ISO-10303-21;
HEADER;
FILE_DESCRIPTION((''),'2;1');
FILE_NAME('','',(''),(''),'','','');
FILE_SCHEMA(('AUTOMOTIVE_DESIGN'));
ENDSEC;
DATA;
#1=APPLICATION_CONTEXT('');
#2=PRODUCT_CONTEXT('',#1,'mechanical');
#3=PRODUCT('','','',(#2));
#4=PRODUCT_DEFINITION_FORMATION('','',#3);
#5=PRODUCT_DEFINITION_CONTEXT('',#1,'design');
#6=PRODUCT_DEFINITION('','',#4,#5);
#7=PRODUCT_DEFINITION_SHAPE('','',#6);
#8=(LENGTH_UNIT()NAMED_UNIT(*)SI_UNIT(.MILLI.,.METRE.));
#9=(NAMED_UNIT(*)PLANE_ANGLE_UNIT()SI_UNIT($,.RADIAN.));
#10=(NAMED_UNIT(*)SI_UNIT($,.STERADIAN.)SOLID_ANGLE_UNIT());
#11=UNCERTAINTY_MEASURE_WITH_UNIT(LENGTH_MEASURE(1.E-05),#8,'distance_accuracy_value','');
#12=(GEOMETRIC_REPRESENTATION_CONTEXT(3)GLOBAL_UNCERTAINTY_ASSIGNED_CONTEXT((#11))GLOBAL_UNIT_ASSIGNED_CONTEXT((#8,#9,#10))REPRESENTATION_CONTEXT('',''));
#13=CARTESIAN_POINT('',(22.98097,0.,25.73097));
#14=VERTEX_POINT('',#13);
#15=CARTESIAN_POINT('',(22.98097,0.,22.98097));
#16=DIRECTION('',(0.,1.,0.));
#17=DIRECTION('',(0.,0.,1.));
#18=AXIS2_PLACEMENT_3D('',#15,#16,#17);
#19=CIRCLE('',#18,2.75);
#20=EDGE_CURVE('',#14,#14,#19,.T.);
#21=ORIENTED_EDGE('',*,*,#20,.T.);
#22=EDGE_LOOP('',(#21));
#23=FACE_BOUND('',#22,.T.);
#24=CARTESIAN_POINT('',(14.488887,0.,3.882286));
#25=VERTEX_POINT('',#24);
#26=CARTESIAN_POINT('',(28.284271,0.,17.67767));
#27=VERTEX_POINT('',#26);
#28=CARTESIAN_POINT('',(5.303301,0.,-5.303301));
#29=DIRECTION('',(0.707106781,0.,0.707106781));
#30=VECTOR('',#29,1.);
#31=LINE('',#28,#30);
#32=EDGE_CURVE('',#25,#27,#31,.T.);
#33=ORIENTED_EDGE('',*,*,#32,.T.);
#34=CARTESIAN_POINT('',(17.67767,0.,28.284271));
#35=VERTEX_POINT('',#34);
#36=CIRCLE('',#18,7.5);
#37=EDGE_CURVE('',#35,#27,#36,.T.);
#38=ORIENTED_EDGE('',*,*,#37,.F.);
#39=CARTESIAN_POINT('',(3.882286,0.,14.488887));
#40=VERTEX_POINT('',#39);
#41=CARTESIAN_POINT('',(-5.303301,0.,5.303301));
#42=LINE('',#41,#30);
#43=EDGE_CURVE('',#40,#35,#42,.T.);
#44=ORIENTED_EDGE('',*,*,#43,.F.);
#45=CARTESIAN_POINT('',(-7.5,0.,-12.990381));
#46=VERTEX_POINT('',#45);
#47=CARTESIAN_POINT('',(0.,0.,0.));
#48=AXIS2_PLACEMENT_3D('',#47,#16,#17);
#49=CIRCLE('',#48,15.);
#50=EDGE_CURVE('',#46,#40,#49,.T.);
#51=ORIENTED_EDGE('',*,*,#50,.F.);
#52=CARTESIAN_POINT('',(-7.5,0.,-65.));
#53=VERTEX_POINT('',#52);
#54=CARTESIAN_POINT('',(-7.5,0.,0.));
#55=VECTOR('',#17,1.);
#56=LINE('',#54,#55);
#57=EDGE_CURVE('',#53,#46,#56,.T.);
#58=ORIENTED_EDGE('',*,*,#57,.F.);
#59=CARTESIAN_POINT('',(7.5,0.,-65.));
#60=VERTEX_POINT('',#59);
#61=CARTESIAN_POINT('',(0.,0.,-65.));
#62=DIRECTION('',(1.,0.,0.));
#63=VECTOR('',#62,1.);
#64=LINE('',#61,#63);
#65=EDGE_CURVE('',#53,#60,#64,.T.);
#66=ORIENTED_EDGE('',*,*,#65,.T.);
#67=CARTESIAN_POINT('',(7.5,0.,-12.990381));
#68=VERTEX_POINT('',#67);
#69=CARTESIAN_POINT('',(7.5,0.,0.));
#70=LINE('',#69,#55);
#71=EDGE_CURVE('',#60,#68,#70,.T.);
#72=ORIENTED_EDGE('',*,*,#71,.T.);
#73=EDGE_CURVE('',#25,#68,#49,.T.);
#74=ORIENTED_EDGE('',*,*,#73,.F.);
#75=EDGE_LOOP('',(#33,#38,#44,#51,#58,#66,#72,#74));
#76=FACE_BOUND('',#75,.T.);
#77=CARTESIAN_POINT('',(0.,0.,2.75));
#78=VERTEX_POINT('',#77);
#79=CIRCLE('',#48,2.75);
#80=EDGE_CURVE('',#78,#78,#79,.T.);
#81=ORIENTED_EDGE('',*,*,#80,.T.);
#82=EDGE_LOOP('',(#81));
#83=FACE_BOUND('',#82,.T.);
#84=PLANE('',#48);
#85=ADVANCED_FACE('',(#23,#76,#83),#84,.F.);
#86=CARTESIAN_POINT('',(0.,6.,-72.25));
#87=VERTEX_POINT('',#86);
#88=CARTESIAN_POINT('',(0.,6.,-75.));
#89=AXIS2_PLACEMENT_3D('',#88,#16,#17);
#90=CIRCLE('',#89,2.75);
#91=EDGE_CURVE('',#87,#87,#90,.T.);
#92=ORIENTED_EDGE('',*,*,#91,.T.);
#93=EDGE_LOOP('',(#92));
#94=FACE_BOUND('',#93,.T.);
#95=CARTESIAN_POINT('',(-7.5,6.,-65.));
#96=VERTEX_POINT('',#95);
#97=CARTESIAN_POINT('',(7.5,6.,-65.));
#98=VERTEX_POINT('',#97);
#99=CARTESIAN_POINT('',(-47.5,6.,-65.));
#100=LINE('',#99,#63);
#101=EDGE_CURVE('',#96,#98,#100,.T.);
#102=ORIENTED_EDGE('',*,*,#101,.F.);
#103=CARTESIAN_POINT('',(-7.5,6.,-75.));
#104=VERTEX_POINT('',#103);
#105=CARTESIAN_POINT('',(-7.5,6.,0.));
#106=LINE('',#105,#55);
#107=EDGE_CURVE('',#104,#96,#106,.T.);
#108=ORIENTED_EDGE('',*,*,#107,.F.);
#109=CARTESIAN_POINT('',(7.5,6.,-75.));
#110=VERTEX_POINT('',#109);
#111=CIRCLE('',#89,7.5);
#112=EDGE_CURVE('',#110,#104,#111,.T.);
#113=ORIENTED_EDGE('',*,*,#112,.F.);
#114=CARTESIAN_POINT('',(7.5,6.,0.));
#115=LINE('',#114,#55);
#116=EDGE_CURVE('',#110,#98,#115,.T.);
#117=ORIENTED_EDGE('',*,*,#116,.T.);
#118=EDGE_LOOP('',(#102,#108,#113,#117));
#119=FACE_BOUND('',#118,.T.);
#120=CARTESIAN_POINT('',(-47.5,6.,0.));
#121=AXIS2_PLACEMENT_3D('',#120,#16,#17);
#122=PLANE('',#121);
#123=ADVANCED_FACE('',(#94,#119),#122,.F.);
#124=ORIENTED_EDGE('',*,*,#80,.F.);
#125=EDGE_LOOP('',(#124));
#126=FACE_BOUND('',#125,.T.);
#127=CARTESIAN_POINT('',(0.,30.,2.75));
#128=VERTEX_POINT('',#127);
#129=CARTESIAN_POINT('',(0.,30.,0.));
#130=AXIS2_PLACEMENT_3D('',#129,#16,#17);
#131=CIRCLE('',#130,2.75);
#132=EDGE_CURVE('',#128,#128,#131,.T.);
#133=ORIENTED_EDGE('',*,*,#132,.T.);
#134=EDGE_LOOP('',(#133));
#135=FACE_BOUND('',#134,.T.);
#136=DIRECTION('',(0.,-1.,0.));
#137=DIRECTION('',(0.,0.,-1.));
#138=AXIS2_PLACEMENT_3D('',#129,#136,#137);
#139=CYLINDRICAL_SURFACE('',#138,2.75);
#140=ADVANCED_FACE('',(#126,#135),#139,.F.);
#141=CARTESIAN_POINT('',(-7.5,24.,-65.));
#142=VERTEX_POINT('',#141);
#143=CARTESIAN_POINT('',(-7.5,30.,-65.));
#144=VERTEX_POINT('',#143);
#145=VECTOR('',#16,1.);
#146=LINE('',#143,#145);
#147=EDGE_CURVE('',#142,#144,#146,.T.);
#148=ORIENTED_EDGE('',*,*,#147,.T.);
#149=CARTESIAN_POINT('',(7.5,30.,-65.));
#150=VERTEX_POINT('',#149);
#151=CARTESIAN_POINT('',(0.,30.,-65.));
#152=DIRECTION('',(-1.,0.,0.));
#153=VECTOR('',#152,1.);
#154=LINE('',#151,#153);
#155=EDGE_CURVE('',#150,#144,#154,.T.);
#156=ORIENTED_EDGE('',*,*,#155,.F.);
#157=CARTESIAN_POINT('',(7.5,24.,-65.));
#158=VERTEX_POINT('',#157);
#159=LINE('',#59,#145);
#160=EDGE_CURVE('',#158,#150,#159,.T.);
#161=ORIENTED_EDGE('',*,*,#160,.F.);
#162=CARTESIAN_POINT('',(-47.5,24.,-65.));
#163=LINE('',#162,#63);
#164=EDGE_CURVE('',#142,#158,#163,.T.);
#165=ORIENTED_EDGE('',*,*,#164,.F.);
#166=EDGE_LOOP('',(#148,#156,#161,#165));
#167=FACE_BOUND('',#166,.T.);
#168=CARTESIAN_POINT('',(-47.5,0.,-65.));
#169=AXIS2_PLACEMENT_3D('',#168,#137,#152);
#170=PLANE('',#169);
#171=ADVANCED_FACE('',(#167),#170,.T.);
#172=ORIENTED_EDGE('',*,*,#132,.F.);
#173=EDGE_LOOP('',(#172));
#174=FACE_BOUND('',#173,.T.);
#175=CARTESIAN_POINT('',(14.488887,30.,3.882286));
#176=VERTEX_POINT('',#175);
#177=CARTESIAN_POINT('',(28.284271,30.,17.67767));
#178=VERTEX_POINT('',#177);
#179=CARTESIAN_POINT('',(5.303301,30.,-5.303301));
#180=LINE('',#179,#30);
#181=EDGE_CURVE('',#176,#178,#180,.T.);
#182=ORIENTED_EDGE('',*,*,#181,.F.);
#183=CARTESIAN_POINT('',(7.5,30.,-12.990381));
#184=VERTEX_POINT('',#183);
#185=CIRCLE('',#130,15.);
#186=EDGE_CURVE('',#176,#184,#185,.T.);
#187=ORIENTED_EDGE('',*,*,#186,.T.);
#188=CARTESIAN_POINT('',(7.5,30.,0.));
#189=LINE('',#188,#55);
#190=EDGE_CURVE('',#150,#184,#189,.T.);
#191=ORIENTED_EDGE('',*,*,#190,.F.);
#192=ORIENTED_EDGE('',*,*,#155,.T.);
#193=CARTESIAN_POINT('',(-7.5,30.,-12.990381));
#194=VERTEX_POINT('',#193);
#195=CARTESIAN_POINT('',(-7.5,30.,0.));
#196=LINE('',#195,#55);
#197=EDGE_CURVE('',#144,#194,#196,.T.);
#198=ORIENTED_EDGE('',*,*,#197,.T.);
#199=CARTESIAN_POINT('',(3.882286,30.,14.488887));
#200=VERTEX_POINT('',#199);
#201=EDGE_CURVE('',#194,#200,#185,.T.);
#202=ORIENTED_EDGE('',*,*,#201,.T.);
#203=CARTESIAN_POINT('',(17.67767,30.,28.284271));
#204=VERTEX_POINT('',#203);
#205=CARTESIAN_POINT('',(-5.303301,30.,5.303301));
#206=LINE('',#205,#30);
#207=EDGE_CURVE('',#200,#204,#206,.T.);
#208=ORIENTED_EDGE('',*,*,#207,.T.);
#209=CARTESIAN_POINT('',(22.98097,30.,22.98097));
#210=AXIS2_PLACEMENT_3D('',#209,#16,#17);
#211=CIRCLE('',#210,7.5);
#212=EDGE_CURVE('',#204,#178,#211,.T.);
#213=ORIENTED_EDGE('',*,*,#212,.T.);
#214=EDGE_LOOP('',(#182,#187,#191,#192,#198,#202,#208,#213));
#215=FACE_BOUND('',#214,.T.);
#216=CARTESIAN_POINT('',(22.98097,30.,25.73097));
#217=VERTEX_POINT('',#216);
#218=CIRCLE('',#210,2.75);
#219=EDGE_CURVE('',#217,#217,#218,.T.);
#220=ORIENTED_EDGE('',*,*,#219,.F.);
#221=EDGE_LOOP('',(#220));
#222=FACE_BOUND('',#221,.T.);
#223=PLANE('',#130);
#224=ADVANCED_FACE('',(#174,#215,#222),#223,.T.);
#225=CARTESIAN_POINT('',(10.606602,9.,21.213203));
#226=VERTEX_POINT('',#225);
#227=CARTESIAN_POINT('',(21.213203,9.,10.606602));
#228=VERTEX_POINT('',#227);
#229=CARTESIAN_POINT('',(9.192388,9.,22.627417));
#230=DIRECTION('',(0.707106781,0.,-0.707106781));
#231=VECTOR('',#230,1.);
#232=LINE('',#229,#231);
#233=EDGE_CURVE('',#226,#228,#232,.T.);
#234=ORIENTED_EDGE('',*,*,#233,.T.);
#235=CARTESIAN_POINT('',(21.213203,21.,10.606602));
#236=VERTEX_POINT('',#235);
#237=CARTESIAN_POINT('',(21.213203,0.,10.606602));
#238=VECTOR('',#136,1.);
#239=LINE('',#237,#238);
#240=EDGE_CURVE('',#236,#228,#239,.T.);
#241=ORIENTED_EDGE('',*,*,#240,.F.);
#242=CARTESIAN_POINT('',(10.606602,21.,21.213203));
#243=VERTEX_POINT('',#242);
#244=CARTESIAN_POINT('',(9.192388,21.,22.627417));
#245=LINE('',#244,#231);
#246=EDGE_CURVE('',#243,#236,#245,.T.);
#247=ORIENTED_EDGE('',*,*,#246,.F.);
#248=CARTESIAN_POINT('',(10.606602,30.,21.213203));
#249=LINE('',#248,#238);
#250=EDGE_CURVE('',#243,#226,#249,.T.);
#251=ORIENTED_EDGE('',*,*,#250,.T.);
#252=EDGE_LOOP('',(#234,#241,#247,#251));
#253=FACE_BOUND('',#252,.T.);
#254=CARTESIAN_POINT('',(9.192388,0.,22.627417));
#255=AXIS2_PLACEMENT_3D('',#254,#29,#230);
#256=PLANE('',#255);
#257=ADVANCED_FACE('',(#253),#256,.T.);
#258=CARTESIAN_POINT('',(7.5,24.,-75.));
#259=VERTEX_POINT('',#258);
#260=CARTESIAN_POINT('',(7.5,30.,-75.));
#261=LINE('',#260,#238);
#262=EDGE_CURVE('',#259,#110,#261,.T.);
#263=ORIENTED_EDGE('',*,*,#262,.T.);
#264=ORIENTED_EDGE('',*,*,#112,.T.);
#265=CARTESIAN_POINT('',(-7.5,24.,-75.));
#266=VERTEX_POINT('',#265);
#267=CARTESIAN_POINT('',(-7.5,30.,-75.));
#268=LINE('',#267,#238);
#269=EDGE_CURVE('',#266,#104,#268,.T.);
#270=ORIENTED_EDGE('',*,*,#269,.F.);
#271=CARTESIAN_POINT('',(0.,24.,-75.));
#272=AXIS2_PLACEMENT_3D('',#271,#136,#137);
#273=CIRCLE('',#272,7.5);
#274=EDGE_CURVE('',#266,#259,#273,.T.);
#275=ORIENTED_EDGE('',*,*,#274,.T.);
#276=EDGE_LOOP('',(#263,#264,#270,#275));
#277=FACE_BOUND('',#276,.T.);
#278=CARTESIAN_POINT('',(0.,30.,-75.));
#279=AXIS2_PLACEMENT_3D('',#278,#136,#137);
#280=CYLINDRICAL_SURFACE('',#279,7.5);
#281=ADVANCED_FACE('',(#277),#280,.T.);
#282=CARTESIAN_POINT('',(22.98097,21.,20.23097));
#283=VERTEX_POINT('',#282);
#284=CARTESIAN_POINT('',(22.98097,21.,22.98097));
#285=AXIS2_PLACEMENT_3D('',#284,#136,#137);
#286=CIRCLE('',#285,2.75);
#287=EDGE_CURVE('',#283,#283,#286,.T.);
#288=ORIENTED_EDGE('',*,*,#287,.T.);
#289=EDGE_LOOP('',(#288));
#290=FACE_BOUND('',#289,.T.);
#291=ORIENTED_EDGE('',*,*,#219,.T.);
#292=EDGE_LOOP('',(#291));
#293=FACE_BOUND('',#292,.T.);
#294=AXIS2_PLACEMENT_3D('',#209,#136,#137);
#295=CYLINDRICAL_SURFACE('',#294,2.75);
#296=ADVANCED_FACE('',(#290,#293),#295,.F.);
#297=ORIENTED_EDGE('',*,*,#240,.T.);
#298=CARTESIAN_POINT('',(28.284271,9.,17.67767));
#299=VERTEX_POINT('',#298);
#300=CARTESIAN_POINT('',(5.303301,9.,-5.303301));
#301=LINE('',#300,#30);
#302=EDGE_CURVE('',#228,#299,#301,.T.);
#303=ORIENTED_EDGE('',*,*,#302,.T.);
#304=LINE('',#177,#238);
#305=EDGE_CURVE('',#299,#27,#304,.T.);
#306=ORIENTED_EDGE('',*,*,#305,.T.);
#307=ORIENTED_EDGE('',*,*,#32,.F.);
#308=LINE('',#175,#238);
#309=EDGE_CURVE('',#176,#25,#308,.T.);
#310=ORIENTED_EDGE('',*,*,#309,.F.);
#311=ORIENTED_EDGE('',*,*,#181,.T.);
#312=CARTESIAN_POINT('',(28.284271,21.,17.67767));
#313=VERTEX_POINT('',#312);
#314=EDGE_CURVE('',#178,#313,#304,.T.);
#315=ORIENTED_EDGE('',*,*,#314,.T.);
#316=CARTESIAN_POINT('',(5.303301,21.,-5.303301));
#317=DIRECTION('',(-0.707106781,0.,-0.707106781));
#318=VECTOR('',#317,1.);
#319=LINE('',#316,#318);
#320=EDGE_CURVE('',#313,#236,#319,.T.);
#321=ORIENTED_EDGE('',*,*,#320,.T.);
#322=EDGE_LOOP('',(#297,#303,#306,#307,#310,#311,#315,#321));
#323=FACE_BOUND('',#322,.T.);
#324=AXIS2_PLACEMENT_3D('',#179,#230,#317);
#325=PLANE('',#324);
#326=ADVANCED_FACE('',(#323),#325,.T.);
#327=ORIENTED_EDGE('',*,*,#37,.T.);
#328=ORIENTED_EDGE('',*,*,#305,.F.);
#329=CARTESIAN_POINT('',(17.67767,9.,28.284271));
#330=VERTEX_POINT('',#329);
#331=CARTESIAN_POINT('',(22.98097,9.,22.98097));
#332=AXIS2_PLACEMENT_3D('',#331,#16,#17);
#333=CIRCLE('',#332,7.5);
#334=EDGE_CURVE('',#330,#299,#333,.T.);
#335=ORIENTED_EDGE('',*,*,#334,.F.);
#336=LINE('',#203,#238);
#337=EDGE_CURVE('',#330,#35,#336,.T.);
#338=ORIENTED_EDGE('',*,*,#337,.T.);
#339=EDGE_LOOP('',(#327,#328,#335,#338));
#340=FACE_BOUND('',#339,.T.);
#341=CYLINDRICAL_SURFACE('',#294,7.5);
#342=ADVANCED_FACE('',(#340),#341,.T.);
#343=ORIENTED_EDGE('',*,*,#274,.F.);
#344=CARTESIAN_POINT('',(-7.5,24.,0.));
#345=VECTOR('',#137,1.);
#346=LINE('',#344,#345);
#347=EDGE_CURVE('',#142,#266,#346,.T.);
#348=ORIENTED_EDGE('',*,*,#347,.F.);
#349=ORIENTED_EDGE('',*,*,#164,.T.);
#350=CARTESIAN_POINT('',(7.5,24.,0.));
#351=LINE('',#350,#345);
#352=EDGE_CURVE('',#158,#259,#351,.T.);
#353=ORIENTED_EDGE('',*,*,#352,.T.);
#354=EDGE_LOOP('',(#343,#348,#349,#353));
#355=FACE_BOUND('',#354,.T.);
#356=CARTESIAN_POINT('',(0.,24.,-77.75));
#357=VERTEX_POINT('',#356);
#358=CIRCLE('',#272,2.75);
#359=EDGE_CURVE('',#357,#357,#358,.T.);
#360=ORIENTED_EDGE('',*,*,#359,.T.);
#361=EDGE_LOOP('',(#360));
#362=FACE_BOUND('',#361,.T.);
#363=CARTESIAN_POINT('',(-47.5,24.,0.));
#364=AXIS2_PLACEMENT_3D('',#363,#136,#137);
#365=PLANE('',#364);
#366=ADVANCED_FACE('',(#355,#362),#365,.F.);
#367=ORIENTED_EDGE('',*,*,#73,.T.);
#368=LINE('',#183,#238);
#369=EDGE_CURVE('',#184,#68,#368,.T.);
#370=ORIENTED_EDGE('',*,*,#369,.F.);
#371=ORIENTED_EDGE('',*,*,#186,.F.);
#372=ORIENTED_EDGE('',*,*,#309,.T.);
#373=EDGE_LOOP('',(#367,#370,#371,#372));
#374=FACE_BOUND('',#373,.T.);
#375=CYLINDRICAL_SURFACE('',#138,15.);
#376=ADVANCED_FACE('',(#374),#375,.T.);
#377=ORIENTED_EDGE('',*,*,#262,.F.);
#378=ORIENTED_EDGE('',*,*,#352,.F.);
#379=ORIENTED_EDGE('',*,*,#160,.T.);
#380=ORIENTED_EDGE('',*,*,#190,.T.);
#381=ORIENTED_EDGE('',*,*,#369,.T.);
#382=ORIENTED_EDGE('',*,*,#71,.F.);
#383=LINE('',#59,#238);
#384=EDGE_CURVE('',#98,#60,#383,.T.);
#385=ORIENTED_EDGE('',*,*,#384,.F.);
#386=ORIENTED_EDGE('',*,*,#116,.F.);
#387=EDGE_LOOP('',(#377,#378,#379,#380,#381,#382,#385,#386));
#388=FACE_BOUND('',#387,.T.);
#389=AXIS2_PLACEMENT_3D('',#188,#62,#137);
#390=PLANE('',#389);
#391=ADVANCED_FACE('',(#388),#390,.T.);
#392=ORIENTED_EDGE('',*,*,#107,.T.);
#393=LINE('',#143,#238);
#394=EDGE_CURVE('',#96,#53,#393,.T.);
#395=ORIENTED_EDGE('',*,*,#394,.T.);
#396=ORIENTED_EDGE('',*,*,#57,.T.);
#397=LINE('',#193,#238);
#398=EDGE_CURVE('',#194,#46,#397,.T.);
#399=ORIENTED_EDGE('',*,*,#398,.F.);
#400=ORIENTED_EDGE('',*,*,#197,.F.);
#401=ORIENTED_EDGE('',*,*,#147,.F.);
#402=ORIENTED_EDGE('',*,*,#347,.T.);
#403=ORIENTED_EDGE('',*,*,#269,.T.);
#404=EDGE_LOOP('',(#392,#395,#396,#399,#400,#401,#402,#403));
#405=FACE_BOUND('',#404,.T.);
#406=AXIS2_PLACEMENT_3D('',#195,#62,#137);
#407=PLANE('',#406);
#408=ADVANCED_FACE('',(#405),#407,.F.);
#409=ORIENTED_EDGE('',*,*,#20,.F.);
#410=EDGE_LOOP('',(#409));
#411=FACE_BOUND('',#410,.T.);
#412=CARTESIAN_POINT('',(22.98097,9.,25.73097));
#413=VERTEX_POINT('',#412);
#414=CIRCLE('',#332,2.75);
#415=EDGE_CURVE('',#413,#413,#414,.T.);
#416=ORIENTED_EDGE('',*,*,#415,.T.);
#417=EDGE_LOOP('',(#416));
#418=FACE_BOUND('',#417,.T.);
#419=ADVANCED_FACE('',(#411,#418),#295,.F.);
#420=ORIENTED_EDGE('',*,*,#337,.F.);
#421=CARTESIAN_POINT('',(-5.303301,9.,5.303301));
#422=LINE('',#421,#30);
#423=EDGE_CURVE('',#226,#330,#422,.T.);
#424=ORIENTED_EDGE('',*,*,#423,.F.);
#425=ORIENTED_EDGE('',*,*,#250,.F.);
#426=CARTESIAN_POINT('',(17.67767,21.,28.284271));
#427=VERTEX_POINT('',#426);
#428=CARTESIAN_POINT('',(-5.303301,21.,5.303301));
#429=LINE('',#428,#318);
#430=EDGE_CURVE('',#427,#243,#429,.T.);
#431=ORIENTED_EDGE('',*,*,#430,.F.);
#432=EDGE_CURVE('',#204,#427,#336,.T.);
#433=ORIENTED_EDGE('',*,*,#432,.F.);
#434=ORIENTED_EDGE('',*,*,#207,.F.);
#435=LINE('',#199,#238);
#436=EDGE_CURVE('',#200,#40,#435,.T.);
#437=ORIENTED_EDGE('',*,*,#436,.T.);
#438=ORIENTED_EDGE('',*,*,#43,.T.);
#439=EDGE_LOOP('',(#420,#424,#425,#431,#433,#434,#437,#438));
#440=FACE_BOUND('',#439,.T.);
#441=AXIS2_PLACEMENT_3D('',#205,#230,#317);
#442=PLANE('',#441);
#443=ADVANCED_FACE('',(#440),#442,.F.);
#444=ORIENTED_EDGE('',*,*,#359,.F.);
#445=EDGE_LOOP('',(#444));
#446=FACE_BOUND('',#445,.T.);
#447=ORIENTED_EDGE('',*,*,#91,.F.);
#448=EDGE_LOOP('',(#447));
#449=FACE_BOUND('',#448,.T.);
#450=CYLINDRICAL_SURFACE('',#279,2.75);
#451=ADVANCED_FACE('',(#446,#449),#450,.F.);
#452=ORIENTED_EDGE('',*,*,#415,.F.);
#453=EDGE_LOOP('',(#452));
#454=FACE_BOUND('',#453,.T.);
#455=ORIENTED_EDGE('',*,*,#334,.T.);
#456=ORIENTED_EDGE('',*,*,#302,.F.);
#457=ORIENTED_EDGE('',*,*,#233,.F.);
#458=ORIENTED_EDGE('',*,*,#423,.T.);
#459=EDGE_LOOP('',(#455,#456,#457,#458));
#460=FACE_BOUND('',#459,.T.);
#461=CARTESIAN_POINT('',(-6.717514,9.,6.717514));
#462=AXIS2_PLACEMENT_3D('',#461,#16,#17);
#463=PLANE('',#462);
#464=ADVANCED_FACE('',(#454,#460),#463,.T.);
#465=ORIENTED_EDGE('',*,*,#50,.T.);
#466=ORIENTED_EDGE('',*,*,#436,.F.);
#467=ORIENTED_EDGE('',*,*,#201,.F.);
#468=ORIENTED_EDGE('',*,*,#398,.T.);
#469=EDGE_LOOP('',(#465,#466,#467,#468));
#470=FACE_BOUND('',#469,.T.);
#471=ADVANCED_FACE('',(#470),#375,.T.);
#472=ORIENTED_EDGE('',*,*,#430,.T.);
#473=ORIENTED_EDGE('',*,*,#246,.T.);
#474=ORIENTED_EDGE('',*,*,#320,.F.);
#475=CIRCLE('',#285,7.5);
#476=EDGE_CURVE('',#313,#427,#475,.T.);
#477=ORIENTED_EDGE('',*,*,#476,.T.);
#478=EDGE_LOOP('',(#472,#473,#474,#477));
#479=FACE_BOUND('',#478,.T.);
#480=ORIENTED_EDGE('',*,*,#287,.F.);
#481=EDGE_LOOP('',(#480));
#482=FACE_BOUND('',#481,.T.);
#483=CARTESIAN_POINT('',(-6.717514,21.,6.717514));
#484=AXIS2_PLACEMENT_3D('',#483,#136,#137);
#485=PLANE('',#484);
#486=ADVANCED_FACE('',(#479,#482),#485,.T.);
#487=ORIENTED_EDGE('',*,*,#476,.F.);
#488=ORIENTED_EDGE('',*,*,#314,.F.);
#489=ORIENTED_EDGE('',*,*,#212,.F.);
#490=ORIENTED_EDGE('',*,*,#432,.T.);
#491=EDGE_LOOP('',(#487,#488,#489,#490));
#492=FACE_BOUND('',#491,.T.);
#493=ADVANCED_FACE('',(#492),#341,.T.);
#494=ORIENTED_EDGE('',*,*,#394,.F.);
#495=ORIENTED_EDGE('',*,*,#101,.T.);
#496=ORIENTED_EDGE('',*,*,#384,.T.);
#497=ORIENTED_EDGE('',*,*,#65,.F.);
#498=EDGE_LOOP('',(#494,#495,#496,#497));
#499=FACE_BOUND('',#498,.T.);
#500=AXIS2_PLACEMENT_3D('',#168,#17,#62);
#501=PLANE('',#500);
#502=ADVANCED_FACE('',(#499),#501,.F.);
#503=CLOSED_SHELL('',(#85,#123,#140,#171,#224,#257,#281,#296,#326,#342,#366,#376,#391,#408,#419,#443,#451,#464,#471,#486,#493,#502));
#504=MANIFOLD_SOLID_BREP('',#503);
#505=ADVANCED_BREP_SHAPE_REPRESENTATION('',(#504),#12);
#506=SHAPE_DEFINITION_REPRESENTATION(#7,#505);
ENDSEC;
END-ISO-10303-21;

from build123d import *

# Parameters (mm, degrees)
SKETCH1_R           = 2.75
BOSS_EXTRUDE1_DEPTH = 30
SKETCH2_W           = 10
SKETCH2_H           = 6
CUT_EXTRUDE1_DEPTH  = 55
CUT_EXTRUDE2_DEPTH  = 17


with BuildPart() as part:
    # Sketch1 → Boss-Extrude1 (new body)
    with BuildSketch(Plane(origin=(0, 0, 0), x_dir=(1, 0, 0), z_dir=(0, 1, 0))):
        with BuildLine():
            Line((7.5, 12.990381057), (7.5, 75))
            ThreePointArc((7.5, 75), (0, 82.5), (-7.5, 75))
            Line((-7.5, 75), (-7.5, 12.990381057))
            ThreePointArc((-7.5, 12.990381057), (-13.858192988, -5.740251485), (3.882285677, -14.488887394))
            Line((3.882285677, -14.488887394), (17.67766953, -28.284271247))
            ThreePointArc((17.67766953, -28.284271247), (28.284271247, -28.284271247), (28.284271247, -17.67766953))
            Line((28.284271247, -17.67766953), (14.488887394, -3.882285677))
            ThreePointArc((14.488887394, -3.882285677), (13.858192988, 5.740251485), (7.5, 12.990381057))
        make_face()
        Circle(SKETCH1_R, mode=Mode.SUBTRACT)
        with Locations((22.980970389, -22.980970389)):
            Circle(SKETCH1_R, mode=Mode.SUBTRACT)
        with Locations((0, 75)):
            Circle(SKETCH1_R, mode=Mode.SUBTRACT)
    extrude(amount=BOSS_EXTRUDE1_DEPTH)

    # Sketch2 → Cut-Extrude1 (cut)
    with BuildSketch(Plane(origin=(7.5, 0, 0), x_dir=(0, 0, -1), z_dir=(1, 0, 0))):
        Polygon((75, 30), (75, 24), (88.340353556, 24), (88.340353556, 42.222756781), (65, 42.222756781), (65, 30), align=None)
        Polygon((88.340353556, 6), (75, 6), (75, 0), (65, 0), (65, -8.682673162), (88.340353556, -8.682673162), align=None)
        with Locations((70, 3)):
            Rectangle(SKETCH2_W, SKETCH2_H)
        with Locations((70, 27)):
            Rectangle(SKETCH2_W, SKETCH2_H)
    extrude(amount=-CUT_EXTRUDE1_DEPTH, mode=Mode.SUBTRACT)

    # Sketch3 → Cut-Extrude2 (cut)
    with BuildSketch(Plane(origin=(5.303300859, 0, -5.303300859), x_dir=(-0.707106781, 0, -0.707106781), z_dir=(0.707106781, 0, -0.707106781))):
        Polygon((-32.5, 21), (-32.5, 15), (-32.5, 9), (-22.5, 9), (-22.5, 21), align=None)
        Polygon((-32.5, 9), (-32.5, 15), (-32.5, 21), (-50.580242044, 21), (-50.580242044, 9), align=None)
    extrude(amount=-CUT_EXTRUDE2_DEPTH, mode=Mode.SUBTRACT)


solid = part.part
